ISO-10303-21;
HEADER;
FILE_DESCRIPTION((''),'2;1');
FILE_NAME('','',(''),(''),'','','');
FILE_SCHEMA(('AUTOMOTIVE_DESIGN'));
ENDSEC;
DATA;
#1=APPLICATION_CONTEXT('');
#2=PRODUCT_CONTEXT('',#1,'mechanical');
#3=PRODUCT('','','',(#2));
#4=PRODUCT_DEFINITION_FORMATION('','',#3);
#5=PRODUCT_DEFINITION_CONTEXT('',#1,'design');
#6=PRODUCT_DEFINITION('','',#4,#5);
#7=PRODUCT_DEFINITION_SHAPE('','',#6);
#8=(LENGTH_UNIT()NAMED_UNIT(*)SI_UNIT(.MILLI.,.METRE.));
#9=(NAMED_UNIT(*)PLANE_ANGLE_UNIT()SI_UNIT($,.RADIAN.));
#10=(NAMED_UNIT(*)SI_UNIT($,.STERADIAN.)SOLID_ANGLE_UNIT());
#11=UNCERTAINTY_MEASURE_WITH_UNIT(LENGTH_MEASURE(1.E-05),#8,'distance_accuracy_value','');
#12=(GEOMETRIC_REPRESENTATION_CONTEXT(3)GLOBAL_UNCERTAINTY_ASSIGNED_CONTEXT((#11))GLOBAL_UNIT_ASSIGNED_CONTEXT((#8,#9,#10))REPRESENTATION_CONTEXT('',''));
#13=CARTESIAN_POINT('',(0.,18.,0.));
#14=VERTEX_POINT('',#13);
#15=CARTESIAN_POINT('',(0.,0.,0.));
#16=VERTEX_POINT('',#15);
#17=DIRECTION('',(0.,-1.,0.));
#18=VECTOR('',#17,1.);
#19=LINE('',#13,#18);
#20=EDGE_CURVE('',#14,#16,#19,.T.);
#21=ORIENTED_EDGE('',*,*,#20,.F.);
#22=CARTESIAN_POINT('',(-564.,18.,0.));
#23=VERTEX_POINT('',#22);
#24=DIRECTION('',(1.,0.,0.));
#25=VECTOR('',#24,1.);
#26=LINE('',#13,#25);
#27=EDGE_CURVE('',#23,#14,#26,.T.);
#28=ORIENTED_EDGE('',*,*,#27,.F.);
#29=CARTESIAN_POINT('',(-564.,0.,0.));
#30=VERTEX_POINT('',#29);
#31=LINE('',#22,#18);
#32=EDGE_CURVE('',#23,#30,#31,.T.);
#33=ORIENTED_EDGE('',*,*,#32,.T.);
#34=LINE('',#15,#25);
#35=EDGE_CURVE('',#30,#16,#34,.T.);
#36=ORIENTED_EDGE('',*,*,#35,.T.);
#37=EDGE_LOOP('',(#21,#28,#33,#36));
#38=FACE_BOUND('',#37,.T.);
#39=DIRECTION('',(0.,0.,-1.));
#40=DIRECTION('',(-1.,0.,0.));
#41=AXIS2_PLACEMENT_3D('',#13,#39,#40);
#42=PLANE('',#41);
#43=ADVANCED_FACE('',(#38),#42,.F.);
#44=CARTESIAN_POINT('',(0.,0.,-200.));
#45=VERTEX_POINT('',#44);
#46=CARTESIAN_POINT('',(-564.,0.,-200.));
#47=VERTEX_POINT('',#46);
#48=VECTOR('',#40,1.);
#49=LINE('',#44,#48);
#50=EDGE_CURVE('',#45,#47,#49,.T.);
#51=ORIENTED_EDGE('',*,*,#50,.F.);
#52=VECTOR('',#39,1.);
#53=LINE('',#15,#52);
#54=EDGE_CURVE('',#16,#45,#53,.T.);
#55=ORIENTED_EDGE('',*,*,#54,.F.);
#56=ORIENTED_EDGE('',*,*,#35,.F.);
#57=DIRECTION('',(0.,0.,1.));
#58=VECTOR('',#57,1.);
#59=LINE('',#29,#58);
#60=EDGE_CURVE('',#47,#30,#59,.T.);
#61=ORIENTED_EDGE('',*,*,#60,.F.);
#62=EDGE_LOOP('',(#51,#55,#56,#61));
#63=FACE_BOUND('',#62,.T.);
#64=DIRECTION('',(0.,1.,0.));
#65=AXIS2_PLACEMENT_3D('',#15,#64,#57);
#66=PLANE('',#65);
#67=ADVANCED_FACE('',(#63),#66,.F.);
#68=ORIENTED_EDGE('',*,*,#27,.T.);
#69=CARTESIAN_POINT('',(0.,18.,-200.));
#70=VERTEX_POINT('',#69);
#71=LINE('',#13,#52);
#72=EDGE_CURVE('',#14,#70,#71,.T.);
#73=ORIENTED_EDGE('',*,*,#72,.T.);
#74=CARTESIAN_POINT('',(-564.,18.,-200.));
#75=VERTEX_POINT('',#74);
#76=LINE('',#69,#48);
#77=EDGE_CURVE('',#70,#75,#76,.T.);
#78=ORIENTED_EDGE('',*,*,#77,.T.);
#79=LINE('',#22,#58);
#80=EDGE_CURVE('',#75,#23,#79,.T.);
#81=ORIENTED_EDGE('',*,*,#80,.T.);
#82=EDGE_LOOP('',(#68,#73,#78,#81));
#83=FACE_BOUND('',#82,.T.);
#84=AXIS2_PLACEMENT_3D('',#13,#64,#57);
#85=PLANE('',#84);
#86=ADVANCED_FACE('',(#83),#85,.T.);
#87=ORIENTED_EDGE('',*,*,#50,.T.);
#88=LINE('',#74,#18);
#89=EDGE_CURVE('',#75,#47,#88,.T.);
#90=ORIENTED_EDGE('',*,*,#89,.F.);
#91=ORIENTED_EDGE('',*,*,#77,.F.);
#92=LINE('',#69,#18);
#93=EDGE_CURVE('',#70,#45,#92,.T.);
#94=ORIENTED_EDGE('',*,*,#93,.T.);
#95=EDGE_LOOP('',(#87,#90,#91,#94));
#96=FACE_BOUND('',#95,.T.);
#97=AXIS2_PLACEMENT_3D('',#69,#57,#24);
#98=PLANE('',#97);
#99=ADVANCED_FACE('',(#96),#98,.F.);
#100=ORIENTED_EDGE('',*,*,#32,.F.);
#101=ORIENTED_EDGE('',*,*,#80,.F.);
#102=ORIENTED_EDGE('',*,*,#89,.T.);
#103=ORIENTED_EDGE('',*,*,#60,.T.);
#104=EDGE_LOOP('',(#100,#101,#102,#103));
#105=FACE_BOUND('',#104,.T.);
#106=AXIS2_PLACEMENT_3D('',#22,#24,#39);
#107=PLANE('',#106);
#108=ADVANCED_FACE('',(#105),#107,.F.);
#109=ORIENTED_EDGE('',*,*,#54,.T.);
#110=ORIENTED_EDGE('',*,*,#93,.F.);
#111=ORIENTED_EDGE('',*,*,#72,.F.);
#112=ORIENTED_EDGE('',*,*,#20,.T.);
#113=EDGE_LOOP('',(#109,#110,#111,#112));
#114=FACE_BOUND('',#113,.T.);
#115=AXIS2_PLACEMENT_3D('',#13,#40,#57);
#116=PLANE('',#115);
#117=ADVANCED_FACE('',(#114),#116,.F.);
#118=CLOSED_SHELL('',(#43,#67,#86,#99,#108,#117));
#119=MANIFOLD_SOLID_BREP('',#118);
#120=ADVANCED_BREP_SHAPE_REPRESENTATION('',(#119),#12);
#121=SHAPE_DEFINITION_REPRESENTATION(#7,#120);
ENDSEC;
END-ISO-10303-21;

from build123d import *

# Parameters (mm, degrees)
SZKIC1_W                    = 564
SZKIC1_H                    = 200
DODANIE_WYCI_GNI_CIE1_DEPTH = 18


with BuildPart() as part:
    # Szkic1 → Dodanie-wyciągnięcie1 (new body)
    with BuildSketch(Plane(origin=(0, 0, 0), x_dir=(1, 0, 0), z_dir=(0, 1, 0))):
        with Locations((-282, 100)):
            Rectangle(SZKIC1_W, SZKIC1_H)
    extrude(amount=DODANIE_WYCI_GNI_CIE1_DEPTH)


solid = part.part
